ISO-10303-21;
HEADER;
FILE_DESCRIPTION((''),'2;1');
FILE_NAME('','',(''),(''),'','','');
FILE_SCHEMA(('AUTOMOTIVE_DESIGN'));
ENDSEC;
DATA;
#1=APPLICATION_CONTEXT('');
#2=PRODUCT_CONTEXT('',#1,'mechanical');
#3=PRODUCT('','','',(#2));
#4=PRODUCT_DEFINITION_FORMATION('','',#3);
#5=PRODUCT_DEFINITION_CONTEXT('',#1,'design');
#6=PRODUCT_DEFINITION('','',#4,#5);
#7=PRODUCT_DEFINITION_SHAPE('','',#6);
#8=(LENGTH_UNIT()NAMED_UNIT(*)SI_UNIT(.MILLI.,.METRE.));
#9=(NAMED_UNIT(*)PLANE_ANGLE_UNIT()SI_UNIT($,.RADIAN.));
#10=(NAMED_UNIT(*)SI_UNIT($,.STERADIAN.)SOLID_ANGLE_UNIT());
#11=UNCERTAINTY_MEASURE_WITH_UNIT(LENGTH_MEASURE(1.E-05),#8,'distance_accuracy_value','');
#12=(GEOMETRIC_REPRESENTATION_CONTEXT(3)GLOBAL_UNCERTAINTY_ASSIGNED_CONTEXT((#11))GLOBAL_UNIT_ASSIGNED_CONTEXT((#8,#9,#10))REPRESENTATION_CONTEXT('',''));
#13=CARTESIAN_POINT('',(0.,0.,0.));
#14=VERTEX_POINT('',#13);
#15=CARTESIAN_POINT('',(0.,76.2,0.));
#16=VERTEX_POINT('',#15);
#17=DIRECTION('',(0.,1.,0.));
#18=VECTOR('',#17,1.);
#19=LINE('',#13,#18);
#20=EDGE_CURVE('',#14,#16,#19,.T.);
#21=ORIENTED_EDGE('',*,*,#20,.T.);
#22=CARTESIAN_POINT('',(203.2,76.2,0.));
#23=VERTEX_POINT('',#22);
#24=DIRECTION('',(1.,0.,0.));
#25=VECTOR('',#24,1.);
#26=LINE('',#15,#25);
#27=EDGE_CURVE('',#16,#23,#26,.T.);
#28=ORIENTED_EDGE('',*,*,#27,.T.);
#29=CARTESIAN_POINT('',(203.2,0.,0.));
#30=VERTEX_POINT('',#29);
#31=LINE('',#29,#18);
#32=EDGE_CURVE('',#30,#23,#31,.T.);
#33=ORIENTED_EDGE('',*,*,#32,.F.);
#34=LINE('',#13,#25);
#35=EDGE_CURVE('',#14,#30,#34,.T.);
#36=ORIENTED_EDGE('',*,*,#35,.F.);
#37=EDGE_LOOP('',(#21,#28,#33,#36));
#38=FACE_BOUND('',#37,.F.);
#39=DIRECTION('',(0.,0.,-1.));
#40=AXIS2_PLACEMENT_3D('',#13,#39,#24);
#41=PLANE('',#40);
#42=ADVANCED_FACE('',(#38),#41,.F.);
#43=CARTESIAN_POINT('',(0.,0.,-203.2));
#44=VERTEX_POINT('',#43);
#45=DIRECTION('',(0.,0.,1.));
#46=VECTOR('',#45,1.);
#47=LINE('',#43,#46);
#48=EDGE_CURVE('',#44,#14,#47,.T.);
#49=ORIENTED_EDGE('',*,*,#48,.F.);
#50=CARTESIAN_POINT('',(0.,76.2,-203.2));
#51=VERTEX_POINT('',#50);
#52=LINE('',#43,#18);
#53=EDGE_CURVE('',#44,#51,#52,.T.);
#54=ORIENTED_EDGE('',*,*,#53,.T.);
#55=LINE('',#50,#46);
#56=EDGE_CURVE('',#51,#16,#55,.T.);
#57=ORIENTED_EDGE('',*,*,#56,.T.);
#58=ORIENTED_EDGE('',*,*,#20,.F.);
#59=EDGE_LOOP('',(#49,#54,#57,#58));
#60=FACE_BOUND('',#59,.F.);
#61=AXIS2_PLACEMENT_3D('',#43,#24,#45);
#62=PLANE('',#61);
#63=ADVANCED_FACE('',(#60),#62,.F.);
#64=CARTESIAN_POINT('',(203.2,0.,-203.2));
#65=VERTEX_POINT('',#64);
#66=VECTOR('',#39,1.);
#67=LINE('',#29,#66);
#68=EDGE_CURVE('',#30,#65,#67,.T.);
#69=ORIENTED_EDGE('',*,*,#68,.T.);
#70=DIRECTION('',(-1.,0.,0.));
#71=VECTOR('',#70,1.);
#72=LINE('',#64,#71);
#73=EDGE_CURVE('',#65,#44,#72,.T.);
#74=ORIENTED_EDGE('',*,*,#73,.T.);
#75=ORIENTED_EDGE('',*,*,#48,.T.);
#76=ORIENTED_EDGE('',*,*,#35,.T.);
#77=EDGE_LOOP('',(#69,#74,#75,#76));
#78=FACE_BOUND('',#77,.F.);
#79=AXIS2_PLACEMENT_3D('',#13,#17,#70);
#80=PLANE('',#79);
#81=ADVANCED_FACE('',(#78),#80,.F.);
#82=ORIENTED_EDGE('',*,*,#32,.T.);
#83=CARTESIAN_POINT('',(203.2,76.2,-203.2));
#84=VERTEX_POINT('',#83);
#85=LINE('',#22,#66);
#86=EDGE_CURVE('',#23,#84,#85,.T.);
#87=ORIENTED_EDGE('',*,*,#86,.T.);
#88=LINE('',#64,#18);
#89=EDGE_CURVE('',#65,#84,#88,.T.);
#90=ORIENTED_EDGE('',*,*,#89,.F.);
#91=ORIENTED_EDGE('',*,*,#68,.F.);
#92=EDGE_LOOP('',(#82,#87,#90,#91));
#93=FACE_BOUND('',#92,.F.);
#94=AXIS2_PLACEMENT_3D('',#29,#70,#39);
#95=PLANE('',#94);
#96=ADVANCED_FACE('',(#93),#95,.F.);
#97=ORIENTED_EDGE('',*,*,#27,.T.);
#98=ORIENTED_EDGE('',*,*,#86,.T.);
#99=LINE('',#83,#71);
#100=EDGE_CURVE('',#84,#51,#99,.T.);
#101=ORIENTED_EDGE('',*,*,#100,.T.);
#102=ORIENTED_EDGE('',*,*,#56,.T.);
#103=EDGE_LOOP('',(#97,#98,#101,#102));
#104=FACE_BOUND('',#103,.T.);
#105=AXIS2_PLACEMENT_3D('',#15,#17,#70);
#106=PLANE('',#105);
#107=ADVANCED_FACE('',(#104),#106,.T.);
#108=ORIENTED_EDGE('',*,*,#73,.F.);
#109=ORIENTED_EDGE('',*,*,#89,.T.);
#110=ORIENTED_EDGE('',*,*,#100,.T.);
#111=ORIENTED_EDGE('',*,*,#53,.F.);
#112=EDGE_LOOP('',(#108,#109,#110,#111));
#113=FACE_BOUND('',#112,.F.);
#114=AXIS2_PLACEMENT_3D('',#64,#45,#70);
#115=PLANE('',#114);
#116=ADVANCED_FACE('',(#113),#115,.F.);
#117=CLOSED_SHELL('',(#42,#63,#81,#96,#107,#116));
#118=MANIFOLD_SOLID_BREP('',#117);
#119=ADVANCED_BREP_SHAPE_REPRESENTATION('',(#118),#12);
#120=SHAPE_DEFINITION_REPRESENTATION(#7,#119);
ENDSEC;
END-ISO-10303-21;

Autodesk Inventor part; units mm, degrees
ref_plane "YZ Plane" through (0, 0, 0) normal (1, 0, 0) x (0, 1, 0)
ref_plane "XZ Plane" through (0, 0, 0) normal (0, 1, 0) x (-1, 0, 0)
ref_plane "XY Plane" through (0, 0, 0) normal (0, 0, 1) x (1, 0, 0)
sketch "Sketch1" plane through (0, 0, 0) normal (0, 1, 0) x (-1, 0, 0)
  line L0 (0, 0) -> (-203.2, 0)
  line L1 (-203.2, 0) -> (-203.2, -203.2)
  line L2 (-203.2, -203.2) -> (0, -203.2)
  line L3 (0, -203.2) -> (0, 0)
  dimension "d0" = 203.2
  dimension "d1" = 203.2
extrude "Extrusion1" add sketch "Sketch1" along normal blind 76.2
